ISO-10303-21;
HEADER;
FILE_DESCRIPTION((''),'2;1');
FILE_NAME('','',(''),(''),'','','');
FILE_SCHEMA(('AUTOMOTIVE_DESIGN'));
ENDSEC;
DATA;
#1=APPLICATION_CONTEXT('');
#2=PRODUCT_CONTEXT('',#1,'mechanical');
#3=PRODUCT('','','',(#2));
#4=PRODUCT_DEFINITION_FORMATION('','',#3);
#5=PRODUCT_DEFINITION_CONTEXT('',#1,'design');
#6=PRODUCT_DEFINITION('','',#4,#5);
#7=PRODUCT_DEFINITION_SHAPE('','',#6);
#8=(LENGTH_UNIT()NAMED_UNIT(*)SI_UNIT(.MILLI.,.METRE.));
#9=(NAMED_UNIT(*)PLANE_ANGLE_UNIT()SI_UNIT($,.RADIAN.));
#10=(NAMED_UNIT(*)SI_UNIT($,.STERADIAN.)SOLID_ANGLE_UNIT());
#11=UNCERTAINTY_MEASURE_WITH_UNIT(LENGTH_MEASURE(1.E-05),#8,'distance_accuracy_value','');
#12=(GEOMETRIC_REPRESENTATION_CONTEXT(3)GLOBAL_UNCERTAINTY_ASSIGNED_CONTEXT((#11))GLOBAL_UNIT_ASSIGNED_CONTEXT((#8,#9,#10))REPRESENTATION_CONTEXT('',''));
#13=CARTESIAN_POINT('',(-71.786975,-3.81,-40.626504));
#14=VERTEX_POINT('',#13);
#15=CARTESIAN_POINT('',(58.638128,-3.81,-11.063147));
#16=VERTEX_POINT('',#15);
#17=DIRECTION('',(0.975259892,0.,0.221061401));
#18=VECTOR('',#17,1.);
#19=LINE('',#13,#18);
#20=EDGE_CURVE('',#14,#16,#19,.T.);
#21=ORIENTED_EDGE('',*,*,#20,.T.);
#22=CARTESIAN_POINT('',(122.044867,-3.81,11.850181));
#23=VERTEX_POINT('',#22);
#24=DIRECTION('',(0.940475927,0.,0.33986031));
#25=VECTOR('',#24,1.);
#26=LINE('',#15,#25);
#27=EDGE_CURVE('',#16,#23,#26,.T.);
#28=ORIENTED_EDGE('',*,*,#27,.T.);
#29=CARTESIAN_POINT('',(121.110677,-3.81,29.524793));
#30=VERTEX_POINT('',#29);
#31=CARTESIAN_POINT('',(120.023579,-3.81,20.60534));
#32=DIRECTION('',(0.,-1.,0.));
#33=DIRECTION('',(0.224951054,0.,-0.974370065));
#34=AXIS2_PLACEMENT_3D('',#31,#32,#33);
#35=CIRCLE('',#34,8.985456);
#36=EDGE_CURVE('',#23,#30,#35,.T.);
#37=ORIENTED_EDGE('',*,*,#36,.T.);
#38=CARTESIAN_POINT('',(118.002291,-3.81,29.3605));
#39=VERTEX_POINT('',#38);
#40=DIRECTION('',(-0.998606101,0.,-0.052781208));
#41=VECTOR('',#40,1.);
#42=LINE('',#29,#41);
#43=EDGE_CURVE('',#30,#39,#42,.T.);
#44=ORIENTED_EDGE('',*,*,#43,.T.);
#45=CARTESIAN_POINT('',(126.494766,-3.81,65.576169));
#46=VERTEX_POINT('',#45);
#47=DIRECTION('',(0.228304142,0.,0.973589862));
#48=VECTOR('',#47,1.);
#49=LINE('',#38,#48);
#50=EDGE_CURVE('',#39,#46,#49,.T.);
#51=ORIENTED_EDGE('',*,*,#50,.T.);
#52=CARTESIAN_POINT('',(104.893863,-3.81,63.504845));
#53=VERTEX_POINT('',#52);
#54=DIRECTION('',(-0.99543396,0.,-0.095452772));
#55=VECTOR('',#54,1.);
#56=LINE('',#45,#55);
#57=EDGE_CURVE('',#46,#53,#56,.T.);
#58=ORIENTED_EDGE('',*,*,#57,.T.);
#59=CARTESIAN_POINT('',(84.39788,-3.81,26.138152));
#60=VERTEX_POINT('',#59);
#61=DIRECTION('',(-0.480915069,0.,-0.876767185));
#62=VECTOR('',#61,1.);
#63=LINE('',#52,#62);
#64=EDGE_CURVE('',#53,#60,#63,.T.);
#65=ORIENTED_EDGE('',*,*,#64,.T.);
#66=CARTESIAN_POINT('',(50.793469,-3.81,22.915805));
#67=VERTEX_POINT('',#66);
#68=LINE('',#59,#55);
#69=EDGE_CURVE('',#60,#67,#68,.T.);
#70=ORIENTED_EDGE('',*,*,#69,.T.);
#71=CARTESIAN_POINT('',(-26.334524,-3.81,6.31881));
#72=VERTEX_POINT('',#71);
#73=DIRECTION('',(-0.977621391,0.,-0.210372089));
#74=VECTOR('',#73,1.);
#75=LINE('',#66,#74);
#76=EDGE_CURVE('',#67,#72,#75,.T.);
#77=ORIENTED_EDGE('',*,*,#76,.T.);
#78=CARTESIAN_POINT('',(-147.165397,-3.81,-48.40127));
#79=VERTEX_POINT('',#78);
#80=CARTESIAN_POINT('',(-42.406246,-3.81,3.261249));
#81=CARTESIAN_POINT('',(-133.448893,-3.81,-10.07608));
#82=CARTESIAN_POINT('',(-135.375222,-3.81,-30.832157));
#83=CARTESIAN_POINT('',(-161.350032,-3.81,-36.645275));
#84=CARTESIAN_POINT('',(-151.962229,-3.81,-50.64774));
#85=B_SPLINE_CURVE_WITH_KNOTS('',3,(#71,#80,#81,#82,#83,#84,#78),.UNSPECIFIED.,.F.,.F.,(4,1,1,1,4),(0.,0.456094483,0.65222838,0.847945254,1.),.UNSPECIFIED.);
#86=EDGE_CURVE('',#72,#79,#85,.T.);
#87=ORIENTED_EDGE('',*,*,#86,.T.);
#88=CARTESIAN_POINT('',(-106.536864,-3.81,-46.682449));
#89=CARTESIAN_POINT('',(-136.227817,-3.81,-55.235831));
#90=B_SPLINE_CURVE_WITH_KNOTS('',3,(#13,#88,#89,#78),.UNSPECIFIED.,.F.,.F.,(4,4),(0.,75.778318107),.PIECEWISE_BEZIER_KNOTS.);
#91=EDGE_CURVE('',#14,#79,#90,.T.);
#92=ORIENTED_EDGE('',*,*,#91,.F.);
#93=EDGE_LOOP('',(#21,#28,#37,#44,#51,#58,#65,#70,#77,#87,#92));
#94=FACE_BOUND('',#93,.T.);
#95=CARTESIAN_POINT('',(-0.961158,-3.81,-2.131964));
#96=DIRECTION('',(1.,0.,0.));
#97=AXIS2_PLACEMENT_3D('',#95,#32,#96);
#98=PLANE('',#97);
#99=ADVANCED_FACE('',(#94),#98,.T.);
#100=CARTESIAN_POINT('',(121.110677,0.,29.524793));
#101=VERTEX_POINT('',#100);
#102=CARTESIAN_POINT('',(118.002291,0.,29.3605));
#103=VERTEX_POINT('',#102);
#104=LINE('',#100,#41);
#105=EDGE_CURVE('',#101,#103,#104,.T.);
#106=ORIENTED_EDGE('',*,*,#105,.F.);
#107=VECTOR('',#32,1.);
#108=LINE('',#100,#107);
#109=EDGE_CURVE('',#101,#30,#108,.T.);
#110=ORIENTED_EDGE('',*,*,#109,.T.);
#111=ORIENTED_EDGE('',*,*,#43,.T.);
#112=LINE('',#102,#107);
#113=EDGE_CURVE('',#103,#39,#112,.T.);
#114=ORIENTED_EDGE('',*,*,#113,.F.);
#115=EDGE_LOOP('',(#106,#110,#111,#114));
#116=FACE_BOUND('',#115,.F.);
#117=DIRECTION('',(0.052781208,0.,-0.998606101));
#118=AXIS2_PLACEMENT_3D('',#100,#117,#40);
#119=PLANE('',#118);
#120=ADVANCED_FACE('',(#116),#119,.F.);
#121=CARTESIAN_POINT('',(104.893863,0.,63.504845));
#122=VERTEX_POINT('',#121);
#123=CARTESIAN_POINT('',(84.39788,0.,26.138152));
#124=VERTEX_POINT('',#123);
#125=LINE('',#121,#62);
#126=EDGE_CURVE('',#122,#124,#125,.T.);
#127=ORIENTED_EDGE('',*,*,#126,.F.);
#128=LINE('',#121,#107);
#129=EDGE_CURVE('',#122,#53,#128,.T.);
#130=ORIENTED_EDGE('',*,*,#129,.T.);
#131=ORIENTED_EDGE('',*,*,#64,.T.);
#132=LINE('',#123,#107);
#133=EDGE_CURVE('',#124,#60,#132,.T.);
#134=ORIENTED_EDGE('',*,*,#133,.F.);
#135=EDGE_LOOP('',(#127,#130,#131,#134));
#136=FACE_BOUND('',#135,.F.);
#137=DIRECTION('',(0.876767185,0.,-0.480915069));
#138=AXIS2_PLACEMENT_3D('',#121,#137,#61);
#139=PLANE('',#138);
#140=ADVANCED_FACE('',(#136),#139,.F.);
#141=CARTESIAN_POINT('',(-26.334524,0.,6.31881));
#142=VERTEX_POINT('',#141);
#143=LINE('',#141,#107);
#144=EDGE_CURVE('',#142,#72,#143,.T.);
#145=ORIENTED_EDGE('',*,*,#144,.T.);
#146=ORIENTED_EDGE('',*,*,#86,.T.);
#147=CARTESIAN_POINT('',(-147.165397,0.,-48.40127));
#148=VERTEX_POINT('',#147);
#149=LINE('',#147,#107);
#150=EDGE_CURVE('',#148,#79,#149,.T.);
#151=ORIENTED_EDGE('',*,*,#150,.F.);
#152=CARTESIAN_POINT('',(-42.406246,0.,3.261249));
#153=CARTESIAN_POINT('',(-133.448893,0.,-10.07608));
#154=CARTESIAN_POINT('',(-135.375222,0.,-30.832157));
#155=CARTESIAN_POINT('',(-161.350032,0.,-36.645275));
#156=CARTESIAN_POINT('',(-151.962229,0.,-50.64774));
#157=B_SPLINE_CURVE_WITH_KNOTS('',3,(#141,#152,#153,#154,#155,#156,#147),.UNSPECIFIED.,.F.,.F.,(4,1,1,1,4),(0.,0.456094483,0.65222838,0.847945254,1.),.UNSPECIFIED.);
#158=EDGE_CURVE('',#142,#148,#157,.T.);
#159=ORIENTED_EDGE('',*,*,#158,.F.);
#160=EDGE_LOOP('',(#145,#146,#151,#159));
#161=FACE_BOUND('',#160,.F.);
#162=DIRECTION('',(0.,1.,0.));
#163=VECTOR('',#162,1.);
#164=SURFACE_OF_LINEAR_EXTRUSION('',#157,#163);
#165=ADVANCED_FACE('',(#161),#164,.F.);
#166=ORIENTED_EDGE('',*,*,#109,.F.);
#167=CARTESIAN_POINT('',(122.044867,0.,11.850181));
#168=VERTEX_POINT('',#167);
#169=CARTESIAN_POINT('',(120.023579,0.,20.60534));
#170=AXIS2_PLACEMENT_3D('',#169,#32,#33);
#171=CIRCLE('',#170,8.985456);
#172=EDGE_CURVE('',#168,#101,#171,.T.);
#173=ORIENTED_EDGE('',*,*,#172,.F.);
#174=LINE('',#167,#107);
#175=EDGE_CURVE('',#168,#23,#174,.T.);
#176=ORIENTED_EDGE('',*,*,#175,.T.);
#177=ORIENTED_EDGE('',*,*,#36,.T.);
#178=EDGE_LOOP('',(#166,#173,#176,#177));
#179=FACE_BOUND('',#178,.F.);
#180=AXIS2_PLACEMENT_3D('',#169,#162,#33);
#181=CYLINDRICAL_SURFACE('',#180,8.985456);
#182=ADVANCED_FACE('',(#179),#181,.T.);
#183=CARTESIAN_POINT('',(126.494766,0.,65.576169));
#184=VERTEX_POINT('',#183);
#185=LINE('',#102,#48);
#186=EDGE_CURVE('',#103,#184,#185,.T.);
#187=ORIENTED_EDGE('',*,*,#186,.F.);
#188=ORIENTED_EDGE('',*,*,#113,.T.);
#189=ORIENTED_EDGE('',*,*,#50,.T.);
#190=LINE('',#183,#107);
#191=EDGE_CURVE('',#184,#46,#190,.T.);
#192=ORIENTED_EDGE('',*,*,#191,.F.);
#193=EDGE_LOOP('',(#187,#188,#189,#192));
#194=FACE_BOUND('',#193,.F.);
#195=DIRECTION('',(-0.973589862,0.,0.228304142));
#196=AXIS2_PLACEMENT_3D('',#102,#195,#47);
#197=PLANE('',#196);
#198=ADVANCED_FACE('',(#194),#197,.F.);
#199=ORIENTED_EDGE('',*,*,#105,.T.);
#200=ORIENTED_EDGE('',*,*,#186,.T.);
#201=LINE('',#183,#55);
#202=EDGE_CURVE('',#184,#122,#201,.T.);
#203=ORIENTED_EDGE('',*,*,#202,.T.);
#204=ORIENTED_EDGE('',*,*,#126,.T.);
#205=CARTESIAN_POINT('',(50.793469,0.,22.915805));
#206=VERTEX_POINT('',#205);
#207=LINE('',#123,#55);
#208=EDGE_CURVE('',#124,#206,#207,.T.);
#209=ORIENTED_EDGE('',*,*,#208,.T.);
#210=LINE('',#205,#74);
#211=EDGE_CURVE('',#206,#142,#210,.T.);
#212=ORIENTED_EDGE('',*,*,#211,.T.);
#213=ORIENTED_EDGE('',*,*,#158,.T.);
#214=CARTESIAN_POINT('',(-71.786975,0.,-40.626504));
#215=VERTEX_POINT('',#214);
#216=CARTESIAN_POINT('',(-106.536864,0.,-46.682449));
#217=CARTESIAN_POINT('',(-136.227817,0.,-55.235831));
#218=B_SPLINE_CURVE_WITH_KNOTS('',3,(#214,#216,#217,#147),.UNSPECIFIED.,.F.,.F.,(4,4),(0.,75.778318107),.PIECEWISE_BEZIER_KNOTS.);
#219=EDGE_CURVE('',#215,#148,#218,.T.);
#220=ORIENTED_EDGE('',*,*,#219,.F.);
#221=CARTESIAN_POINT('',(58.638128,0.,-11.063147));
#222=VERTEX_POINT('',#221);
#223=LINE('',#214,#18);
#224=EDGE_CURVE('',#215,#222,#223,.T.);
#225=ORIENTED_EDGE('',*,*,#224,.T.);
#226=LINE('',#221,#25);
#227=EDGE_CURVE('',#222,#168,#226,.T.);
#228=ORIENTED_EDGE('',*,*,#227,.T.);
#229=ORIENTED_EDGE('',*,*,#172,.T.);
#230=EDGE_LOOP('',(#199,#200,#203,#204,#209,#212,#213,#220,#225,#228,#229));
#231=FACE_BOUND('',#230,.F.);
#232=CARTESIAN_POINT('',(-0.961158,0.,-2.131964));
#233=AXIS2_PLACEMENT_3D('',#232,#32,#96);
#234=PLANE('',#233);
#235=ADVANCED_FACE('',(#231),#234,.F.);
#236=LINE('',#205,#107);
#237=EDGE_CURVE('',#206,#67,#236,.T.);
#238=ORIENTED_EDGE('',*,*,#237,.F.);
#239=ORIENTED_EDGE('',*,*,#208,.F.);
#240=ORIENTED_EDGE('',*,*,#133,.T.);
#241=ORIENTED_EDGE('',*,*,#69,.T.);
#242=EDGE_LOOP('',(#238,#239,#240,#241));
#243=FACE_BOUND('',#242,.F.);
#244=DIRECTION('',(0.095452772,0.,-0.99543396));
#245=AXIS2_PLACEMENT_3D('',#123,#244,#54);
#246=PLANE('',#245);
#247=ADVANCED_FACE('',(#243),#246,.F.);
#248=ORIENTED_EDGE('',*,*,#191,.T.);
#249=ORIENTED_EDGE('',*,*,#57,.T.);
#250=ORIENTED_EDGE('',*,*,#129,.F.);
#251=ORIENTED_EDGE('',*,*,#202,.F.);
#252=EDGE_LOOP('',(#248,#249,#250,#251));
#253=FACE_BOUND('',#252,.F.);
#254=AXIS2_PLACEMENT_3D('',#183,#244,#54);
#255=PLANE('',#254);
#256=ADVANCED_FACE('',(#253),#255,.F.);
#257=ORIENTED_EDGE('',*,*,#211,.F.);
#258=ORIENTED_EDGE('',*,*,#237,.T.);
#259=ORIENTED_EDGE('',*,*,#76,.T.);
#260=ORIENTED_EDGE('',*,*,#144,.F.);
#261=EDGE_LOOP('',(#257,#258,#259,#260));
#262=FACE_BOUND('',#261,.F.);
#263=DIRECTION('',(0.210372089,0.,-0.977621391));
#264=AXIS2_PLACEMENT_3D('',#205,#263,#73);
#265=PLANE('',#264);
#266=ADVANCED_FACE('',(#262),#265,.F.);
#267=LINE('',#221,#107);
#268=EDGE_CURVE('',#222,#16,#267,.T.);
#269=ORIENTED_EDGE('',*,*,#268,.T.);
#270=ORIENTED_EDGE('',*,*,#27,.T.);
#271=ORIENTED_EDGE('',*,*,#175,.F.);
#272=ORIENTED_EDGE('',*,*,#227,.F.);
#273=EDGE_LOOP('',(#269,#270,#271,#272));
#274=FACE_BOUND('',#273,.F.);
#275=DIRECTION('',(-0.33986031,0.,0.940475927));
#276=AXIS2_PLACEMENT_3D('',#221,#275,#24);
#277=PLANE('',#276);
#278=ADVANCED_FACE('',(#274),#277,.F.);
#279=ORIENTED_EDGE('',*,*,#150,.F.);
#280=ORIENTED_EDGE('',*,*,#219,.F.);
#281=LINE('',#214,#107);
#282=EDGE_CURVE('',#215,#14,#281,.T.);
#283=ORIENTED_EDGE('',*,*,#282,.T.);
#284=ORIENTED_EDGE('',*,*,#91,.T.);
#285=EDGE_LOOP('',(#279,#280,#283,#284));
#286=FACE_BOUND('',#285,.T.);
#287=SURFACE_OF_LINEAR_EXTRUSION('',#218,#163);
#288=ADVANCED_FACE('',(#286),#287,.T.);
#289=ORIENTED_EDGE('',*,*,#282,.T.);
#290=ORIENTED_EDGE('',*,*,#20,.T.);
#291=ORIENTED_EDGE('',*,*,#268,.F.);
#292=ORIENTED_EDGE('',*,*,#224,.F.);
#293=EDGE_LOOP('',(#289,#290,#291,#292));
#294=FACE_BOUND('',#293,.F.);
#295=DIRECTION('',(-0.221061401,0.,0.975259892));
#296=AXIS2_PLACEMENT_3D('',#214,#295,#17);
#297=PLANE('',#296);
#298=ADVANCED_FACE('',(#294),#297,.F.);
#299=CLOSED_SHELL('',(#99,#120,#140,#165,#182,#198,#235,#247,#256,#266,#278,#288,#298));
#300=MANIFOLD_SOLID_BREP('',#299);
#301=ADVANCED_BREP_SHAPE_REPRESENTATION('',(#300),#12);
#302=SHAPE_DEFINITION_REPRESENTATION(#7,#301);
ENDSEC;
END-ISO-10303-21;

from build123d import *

# Parameters (mm, degrees)
F1_DEPTH = 3.81


with BuildPart() as f1:
    # F0 (on Front) → F1 (new body)
    with BuildSketch(Plane.XZ):
        with BuildLine():
            Line((50.7934687688, 22.9158047023), (-26.3345242069, 6.3188100777))
            add(Edge.make_bspline(
                [(-26.3345242069, 6.3188100777), (-42.4062460127, 3.2612491679), (-133.4488933995, -10.0760801672), (-135.3752222295, -30.8321574827), (-161.3500317179, -36.6452750346), (-151.9622288904, -50.6477397554), (-147.165397401, -48.4012696086)],
                knots=[0, 0, 0, 0, 0.4560944827, 0.6522283805, 0.8479452536, 1, 1, 1, 1], degree=3))
            add(Edge.make_bspline(
                [(-71.7869753234, -40.6265040005), (-106.5368637632, -46.6824494024), (-136.227817418, -55.2358312302), (-147.165397401, -48.4012696086)],
                knots=[0, 0, 0, 0, 75.7783181073, 75.7783181073, 75.7783181073, 75.7783181073], degree=3))
            Line((-71.7869753234, -40.6265040005), (58.6381279451, -11.0631472614))
            Line((58.6381279451, -11.0631472614), (122.0448666324, 11.8501812002))
            ThreePointArc((122.0448666324, 11.8501812002), (128.9965099734, 21.0796037217), (121.1106770906, 29.5247931788))
            Line((121.1106770906, 29.5247931788), (118.0022910514, 29.3604997994))
            Line((118.0022910514, 29.3604997994), (126.4947656791, 65.5761686612))
            Line((126.4947656791, 65.5761686612), (104.8938632011, 63.5048449039))
            Line((104.8938632011, 63.5048449039), (84.3978799101, 26.1381522509))
            Line((84.3978799101, 26.1381522509), (50.7934687688, 22.9158047023))
        make_face()
    extrude(amount=F1_DEPTH)


solid = f1.part
